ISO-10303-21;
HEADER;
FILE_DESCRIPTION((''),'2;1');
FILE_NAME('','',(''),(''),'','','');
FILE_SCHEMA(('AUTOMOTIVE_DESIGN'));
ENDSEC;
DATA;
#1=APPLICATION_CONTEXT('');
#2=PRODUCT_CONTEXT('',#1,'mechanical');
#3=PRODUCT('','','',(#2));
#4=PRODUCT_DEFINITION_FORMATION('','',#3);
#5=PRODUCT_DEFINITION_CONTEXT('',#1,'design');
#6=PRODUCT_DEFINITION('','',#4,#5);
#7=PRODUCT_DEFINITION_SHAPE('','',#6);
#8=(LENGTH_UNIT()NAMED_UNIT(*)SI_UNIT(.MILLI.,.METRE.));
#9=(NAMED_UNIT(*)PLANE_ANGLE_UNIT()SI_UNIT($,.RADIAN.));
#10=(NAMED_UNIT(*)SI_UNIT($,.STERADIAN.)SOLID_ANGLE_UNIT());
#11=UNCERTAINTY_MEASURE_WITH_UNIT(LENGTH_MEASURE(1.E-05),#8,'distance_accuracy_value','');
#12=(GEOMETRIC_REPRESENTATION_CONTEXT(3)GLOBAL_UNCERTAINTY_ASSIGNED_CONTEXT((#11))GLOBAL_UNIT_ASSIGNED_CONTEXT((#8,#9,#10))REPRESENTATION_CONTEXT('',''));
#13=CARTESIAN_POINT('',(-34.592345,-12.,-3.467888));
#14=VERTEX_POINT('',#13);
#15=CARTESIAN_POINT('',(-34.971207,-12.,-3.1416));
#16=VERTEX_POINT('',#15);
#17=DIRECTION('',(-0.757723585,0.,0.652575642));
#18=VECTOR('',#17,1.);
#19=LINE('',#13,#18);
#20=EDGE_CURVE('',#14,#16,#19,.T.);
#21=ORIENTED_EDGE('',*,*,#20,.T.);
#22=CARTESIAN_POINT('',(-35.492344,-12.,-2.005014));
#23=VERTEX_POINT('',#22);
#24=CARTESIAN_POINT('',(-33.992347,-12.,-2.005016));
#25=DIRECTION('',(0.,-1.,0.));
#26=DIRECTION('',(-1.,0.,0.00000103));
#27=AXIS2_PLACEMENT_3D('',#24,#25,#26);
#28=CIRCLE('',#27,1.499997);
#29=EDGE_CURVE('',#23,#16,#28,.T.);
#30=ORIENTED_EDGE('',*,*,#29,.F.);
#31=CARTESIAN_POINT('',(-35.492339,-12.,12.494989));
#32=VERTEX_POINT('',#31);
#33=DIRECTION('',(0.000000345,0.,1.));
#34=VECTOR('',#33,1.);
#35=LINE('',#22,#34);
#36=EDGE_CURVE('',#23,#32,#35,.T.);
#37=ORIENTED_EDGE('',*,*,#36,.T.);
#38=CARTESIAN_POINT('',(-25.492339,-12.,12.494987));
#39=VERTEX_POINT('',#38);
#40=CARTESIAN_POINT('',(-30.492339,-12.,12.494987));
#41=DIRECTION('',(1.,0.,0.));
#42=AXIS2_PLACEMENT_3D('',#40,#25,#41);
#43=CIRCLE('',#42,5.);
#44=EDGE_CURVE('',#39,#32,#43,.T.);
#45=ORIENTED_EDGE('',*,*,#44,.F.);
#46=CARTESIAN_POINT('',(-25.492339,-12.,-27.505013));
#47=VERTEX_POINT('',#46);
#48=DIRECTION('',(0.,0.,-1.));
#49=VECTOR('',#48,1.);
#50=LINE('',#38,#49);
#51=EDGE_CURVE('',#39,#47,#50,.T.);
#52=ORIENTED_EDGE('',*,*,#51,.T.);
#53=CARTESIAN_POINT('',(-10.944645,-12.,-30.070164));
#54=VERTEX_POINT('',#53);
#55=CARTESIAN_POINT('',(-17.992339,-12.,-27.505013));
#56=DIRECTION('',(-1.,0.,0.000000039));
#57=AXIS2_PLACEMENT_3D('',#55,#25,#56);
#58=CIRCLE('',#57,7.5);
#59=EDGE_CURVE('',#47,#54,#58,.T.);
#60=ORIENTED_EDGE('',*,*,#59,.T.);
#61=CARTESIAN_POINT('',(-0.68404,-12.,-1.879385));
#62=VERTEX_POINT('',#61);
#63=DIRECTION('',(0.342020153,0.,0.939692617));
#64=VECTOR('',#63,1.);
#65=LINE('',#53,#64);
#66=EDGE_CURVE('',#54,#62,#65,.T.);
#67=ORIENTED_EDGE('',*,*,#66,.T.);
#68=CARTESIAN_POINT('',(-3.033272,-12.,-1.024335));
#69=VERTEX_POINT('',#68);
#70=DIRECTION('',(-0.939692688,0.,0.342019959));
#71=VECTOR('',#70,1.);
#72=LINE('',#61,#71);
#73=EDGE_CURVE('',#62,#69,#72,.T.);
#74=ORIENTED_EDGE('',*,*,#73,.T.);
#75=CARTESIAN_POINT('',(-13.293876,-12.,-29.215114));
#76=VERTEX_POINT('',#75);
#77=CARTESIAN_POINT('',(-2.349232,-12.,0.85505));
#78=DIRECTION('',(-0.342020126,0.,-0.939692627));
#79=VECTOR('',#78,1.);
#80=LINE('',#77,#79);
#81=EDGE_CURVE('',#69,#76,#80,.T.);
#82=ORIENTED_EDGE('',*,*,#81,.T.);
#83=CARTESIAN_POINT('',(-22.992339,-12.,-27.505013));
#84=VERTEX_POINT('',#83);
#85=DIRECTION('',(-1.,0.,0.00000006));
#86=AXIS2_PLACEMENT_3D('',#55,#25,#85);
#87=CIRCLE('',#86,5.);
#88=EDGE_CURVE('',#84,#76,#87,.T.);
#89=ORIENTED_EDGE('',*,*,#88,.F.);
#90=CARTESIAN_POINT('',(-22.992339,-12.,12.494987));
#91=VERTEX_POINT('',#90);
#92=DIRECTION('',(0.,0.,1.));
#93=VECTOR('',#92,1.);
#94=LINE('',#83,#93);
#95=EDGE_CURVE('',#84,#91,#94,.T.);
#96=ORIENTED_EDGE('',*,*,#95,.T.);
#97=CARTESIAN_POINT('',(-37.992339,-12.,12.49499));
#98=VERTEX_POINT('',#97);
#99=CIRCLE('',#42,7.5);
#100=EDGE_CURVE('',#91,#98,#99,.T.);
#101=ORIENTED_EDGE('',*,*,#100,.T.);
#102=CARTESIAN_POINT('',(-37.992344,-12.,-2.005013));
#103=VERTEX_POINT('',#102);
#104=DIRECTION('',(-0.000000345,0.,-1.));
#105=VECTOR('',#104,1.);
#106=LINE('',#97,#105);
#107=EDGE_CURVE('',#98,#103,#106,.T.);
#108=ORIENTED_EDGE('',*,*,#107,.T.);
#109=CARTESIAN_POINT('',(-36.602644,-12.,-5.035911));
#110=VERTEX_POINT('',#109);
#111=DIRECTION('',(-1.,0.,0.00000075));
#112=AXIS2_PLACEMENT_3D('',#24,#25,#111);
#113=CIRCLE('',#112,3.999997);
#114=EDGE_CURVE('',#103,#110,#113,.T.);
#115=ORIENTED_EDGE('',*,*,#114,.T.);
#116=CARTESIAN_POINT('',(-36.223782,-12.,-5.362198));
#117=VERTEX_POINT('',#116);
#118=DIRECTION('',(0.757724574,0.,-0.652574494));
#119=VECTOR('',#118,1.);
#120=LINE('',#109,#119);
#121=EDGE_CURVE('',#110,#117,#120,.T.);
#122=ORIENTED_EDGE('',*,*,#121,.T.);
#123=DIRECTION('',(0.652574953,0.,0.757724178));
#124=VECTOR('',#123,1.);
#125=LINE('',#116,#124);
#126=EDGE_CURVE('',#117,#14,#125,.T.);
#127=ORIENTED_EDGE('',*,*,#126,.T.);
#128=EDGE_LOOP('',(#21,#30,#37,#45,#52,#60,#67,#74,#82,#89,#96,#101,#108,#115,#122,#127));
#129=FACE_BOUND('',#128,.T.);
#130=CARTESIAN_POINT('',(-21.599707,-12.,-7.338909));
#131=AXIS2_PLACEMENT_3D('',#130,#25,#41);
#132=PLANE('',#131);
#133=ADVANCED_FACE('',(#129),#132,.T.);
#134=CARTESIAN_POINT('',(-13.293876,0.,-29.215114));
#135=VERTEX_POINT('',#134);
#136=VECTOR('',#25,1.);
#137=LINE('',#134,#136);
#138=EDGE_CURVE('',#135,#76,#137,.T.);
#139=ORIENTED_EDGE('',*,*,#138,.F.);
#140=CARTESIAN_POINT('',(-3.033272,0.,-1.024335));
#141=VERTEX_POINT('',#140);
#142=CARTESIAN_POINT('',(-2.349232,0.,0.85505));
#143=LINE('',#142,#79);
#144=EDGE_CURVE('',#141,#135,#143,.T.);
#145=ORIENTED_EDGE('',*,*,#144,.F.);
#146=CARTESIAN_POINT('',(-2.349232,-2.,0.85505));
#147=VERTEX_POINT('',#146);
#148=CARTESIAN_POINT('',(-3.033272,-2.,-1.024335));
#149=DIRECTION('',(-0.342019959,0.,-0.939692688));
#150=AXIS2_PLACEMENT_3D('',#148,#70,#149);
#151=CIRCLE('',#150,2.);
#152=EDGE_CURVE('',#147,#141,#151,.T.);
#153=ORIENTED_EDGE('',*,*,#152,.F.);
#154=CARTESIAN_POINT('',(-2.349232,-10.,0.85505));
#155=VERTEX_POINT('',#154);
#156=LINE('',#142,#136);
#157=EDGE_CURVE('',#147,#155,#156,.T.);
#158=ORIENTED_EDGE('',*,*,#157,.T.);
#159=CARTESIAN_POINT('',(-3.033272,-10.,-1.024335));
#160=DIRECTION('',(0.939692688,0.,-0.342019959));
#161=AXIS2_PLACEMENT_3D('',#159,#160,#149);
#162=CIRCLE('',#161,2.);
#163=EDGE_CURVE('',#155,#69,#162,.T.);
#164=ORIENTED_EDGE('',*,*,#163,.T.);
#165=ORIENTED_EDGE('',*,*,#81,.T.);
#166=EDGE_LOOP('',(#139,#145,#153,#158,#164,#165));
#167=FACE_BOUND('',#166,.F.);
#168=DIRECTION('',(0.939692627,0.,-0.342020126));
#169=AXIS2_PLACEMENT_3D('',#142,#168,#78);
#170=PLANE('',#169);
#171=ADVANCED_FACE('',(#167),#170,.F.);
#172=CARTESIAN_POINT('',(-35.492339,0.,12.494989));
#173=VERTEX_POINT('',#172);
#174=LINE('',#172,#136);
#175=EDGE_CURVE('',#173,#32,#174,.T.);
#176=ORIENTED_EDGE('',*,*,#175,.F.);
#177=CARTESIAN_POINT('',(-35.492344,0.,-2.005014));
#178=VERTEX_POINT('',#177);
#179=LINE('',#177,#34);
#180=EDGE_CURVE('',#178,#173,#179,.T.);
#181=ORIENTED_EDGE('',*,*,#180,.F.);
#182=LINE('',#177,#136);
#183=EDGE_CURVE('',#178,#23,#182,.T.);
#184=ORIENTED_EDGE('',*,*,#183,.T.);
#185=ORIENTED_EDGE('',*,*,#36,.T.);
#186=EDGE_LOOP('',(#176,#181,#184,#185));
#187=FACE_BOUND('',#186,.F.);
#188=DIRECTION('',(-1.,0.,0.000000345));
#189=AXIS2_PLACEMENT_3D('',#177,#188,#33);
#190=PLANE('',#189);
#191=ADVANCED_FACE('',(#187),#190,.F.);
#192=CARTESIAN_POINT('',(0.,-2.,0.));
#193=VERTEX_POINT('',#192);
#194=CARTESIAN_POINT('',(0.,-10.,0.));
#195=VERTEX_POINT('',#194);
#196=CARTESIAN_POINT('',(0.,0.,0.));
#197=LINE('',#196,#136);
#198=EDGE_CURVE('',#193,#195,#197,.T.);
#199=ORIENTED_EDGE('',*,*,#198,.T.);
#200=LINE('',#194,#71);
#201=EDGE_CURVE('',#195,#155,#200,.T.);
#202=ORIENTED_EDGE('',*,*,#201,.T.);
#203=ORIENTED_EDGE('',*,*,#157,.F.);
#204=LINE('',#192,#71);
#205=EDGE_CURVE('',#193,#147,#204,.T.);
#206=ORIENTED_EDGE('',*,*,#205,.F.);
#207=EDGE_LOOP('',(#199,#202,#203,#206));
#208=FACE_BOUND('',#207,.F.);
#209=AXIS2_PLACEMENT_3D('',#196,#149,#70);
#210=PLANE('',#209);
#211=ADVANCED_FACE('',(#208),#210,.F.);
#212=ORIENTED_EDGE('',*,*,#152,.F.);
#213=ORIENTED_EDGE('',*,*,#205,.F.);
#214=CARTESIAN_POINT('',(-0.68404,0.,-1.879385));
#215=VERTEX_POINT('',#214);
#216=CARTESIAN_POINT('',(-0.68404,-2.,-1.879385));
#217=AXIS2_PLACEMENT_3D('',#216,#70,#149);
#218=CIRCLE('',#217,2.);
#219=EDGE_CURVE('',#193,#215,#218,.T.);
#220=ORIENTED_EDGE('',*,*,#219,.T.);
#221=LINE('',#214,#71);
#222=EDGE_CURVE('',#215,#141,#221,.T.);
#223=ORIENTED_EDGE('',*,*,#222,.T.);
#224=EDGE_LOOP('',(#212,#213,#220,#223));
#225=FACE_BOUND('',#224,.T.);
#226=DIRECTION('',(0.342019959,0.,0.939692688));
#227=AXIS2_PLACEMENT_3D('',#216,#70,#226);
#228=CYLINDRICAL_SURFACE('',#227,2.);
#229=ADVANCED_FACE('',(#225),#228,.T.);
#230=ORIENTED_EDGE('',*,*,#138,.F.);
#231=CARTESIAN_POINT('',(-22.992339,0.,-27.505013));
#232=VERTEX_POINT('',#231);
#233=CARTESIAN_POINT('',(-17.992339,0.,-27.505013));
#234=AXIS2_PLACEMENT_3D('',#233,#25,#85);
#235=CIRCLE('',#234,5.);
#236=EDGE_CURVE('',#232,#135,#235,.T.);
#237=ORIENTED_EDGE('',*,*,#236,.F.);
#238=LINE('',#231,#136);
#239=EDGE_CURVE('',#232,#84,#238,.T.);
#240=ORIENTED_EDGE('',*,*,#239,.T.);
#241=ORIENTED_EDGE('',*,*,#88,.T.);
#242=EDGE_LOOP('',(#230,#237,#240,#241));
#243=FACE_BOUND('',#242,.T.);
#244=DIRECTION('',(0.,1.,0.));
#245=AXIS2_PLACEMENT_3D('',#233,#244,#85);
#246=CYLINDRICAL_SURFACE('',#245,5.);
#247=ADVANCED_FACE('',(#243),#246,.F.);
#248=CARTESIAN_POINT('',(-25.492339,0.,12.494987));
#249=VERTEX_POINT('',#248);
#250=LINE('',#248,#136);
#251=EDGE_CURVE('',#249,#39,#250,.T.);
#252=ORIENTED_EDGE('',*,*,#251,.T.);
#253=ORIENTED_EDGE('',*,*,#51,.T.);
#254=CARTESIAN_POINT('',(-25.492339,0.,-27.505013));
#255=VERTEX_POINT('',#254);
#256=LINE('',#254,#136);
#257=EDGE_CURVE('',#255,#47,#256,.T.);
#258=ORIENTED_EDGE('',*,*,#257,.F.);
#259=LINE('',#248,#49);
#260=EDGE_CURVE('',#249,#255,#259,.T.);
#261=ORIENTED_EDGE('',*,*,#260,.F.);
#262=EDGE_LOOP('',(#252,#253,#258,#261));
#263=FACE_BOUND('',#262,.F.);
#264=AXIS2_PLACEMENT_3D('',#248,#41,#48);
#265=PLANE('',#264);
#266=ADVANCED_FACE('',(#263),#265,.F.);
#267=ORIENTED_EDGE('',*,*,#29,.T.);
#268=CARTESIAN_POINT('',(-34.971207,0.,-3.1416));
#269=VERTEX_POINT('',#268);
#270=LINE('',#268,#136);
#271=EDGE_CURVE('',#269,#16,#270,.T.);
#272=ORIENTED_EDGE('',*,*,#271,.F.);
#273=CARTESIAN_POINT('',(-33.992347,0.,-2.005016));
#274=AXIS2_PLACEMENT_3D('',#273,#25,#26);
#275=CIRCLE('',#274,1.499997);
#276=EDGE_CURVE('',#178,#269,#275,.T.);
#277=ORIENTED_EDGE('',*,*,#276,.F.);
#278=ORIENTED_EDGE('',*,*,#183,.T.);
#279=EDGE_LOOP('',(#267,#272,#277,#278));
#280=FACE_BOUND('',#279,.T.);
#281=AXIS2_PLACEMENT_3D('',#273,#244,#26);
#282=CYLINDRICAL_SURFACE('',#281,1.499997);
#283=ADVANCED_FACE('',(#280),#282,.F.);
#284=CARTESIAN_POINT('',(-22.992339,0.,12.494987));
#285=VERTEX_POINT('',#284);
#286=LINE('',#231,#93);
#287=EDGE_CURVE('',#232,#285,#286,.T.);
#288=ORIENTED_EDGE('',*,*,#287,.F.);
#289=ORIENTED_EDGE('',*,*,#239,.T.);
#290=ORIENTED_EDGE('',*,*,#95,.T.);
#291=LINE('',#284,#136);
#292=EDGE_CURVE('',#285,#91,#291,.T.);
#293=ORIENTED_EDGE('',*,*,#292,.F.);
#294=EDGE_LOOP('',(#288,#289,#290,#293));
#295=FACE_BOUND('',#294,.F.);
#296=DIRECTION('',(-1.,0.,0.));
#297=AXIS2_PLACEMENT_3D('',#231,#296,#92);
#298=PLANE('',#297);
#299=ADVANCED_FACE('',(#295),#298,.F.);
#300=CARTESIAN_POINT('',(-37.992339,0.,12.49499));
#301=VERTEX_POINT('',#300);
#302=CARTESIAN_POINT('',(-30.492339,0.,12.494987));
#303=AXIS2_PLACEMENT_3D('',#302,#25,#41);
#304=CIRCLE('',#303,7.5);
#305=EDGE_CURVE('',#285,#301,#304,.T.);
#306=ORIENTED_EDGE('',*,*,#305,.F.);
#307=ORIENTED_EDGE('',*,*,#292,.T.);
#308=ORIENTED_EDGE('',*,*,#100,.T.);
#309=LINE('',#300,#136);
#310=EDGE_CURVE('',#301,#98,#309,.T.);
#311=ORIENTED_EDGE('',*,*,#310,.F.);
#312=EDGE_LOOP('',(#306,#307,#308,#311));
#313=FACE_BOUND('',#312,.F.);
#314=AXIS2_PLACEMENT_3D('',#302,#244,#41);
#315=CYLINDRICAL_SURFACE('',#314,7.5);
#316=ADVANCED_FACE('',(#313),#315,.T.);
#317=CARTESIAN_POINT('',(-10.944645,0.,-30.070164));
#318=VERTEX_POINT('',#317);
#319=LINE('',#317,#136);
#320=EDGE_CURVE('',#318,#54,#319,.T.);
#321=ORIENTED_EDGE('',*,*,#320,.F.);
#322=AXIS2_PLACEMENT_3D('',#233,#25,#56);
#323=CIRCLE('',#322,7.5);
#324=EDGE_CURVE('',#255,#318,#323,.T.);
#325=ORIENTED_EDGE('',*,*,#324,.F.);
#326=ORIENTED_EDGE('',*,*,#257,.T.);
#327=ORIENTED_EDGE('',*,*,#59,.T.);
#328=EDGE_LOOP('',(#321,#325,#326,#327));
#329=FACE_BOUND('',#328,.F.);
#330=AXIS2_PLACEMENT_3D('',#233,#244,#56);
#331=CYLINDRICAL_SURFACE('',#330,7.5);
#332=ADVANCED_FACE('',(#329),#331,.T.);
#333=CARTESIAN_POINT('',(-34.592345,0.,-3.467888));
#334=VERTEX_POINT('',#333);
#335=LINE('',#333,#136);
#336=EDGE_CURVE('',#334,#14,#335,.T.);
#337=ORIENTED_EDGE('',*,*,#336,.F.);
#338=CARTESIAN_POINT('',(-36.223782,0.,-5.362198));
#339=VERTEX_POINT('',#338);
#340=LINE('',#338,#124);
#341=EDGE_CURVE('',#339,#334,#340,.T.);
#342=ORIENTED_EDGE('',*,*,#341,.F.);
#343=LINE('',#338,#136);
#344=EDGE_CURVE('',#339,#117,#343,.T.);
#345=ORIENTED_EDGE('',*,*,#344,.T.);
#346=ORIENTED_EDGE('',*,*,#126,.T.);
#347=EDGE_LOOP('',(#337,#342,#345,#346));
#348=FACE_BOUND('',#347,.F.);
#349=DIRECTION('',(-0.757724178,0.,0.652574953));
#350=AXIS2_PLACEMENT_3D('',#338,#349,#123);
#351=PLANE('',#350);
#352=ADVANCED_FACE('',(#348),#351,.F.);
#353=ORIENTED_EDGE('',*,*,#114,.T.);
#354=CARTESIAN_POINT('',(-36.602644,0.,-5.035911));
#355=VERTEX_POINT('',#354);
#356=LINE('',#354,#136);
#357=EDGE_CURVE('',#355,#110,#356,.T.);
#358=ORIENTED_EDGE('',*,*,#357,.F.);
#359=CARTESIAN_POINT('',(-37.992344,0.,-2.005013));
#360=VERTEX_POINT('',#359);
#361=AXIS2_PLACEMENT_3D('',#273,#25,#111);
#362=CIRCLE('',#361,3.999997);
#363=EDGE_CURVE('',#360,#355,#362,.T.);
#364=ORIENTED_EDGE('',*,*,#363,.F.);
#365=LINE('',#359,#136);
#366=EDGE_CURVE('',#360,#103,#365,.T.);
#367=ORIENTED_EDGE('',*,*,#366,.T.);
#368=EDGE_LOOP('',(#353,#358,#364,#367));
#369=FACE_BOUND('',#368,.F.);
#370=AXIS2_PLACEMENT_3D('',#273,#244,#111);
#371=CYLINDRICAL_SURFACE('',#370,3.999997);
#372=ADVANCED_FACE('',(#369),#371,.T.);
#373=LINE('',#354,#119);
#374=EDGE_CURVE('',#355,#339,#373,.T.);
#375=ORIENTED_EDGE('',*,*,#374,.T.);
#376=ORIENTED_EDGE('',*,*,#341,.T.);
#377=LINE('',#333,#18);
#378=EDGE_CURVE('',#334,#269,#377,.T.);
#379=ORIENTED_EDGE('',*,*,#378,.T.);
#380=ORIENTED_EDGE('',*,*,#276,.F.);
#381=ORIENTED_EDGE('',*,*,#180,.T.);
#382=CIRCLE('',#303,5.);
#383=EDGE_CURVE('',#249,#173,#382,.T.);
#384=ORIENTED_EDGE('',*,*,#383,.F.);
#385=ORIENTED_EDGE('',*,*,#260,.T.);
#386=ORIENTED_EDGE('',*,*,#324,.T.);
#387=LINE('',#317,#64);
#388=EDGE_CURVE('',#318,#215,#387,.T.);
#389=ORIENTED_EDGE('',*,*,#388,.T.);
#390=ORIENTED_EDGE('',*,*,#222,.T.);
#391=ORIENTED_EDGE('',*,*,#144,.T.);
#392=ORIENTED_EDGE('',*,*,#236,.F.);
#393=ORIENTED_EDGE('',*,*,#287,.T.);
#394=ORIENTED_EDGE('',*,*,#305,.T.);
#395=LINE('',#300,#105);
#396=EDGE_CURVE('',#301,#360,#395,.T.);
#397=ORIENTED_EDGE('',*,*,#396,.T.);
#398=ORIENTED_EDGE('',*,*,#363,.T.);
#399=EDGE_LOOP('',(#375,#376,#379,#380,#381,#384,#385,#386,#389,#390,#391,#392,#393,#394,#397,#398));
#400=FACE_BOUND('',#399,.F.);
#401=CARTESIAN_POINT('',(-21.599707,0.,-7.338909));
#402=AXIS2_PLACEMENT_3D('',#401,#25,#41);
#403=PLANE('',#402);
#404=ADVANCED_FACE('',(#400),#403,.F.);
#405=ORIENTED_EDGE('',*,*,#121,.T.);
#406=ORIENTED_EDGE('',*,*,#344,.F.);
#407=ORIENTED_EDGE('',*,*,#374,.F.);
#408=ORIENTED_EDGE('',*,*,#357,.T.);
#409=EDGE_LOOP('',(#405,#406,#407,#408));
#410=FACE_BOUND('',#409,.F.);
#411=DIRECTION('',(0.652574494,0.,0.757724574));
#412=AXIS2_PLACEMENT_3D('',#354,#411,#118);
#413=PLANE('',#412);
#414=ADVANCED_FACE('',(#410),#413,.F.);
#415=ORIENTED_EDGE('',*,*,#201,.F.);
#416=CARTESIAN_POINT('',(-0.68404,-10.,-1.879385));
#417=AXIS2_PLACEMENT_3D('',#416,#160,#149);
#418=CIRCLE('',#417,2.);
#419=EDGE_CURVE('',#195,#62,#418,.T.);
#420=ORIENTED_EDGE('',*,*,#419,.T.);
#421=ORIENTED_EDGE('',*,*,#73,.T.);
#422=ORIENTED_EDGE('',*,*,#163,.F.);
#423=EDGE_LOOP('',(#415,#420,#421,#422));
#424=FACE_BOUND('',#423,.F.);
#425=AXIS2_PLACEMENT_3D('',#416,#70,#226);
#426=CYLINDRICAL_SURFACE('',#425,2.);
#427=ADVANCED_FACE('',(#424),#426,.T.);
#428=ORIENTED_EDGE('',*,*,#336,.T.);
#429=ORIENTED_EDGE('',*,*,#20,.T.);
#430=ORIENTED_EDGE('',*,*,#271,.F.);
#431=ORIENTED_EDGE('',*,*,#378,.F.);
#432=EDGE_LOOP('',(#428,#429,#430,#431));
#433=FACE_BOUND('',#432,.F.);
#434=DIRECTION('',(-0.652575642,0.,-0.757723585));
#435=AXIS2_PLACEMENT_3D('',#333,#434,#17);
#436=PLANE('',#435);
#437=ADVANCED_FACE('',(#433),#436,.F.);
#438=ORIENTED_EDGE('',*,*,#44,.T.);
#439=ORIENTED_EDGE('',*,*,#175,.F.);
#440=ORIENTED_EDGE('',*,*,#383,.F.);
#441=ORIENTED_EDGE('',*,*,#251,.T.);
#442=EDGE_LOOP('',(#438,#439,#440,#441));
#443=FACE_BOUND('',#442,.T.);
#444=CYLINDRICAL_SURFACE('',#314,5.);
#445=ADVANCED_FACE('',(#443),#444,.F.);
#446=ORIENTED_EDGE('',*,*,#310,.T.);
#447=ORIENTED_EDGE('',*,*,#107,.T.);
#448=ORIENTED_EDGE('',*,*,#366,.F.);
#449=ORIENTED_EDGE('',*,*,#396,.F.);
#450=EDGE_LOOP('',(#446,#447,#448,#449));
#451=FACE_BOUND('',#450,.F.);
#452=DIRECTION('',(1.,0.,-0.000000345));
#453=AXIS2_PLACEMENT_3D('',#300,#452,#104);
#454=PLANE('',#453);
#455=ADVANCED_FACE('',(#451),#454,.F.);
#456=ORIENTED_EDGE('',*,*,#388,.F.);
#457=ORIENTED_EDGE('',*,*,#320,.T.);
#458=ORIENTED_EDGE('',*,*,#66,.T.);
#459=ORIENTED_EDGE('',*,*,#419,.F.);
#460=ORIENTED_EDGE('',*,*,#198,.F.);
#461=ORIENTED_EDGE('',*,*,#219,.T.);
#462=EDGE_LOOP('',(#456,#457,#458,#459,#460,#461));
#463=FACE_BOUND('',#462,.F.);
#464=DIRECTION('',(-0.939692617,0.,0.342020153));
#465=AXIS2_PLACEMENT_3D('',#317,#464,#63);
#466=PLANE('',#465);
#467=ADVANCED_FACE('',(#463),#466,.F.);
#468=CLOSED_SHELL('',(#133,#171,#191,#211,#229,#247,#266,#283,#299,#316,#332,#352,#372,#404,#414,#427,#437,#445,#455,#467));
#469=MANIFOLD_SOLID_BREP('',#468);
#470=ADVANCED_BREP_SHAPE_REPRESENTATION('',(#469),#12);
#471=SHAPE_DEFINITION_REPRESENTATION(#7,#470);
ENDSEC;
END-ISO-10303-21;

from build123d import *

# Parameters (mm, degrees)
PAD_DEPTH   = 12
FILLET_R    = 2
FILLET001_R = 2


with BuildPart() as part:
    # Sketch → Pad (new body)
    with BuildSketch(Plane.XZ):
        with BuildLine():
            Line((-35.492344, -2.005014), (-35.492339, 12.494989))
            ThreePointArc((-25.492339, 12.494987), (-30.492338, 17.494987), (-35.492339, 12.494989))
            Line((-25.492339, 12.494987), (-25.492339, -27.505013))
            ThreePointArc((-25.492339, -27.505013), (-19.294701, -34.891071), (-10.944645, -30.070164))
            Line((-10.944645, -30.070164), (0, 0))
            Line((0, 0), (-2.349232, 0.85505))
            Line((-2.349232, 0.85505), (-13.293876, -29.215114))
            ThreePointArc((-22.992339, -27.505013), (-18.86058, -32.429052), (-13.293876, -29.215114))
            Line((-22.992339, -27.505013), (-22.992339, 12.494987))
            ThreePointArc((-22.992339, 12.494987), (-30.492338, 19.994987), (-37.992339, 12.49499))
            Line((-37.992339, 12.49499), (-37.992344, -2.005013))
            ThreePointArc((-37.992344, -2.005013), (-37.628359, -3.672167), (-36.602644, -5.035911))
            Line((-36.602644, -5.035911), (-36.223782, -5.362198))
            Line((-36.223782, -5.362198), (-34.592345, -3.467888))
            Line((-34.592345, -3.467888), (-34.971207, -3.1416))
            ThreePointArc((-35.492344, -2.005014), (-35.35585, -2.630196), (-34.971207, -3.1416))
        make_face()
    extrude(amount=PAD_DEPTH)

    # Fillet
    fillet_edges = [part.edges().sort_by_distance(p)[0] for p in [
        (-1.174616, -12, 0.427525),
    ]]
    fillet(fillet_edges, radius=FILLET_R)

    # Fillet001
    fillet001_edges = [part.edges().sort_by_distance(p)[0] for p in [
        (-1.174616, 0, 0.427525),
    ]]
    fillet(fillet001_edges, radius=FILLET001_R)


solid = part.part
